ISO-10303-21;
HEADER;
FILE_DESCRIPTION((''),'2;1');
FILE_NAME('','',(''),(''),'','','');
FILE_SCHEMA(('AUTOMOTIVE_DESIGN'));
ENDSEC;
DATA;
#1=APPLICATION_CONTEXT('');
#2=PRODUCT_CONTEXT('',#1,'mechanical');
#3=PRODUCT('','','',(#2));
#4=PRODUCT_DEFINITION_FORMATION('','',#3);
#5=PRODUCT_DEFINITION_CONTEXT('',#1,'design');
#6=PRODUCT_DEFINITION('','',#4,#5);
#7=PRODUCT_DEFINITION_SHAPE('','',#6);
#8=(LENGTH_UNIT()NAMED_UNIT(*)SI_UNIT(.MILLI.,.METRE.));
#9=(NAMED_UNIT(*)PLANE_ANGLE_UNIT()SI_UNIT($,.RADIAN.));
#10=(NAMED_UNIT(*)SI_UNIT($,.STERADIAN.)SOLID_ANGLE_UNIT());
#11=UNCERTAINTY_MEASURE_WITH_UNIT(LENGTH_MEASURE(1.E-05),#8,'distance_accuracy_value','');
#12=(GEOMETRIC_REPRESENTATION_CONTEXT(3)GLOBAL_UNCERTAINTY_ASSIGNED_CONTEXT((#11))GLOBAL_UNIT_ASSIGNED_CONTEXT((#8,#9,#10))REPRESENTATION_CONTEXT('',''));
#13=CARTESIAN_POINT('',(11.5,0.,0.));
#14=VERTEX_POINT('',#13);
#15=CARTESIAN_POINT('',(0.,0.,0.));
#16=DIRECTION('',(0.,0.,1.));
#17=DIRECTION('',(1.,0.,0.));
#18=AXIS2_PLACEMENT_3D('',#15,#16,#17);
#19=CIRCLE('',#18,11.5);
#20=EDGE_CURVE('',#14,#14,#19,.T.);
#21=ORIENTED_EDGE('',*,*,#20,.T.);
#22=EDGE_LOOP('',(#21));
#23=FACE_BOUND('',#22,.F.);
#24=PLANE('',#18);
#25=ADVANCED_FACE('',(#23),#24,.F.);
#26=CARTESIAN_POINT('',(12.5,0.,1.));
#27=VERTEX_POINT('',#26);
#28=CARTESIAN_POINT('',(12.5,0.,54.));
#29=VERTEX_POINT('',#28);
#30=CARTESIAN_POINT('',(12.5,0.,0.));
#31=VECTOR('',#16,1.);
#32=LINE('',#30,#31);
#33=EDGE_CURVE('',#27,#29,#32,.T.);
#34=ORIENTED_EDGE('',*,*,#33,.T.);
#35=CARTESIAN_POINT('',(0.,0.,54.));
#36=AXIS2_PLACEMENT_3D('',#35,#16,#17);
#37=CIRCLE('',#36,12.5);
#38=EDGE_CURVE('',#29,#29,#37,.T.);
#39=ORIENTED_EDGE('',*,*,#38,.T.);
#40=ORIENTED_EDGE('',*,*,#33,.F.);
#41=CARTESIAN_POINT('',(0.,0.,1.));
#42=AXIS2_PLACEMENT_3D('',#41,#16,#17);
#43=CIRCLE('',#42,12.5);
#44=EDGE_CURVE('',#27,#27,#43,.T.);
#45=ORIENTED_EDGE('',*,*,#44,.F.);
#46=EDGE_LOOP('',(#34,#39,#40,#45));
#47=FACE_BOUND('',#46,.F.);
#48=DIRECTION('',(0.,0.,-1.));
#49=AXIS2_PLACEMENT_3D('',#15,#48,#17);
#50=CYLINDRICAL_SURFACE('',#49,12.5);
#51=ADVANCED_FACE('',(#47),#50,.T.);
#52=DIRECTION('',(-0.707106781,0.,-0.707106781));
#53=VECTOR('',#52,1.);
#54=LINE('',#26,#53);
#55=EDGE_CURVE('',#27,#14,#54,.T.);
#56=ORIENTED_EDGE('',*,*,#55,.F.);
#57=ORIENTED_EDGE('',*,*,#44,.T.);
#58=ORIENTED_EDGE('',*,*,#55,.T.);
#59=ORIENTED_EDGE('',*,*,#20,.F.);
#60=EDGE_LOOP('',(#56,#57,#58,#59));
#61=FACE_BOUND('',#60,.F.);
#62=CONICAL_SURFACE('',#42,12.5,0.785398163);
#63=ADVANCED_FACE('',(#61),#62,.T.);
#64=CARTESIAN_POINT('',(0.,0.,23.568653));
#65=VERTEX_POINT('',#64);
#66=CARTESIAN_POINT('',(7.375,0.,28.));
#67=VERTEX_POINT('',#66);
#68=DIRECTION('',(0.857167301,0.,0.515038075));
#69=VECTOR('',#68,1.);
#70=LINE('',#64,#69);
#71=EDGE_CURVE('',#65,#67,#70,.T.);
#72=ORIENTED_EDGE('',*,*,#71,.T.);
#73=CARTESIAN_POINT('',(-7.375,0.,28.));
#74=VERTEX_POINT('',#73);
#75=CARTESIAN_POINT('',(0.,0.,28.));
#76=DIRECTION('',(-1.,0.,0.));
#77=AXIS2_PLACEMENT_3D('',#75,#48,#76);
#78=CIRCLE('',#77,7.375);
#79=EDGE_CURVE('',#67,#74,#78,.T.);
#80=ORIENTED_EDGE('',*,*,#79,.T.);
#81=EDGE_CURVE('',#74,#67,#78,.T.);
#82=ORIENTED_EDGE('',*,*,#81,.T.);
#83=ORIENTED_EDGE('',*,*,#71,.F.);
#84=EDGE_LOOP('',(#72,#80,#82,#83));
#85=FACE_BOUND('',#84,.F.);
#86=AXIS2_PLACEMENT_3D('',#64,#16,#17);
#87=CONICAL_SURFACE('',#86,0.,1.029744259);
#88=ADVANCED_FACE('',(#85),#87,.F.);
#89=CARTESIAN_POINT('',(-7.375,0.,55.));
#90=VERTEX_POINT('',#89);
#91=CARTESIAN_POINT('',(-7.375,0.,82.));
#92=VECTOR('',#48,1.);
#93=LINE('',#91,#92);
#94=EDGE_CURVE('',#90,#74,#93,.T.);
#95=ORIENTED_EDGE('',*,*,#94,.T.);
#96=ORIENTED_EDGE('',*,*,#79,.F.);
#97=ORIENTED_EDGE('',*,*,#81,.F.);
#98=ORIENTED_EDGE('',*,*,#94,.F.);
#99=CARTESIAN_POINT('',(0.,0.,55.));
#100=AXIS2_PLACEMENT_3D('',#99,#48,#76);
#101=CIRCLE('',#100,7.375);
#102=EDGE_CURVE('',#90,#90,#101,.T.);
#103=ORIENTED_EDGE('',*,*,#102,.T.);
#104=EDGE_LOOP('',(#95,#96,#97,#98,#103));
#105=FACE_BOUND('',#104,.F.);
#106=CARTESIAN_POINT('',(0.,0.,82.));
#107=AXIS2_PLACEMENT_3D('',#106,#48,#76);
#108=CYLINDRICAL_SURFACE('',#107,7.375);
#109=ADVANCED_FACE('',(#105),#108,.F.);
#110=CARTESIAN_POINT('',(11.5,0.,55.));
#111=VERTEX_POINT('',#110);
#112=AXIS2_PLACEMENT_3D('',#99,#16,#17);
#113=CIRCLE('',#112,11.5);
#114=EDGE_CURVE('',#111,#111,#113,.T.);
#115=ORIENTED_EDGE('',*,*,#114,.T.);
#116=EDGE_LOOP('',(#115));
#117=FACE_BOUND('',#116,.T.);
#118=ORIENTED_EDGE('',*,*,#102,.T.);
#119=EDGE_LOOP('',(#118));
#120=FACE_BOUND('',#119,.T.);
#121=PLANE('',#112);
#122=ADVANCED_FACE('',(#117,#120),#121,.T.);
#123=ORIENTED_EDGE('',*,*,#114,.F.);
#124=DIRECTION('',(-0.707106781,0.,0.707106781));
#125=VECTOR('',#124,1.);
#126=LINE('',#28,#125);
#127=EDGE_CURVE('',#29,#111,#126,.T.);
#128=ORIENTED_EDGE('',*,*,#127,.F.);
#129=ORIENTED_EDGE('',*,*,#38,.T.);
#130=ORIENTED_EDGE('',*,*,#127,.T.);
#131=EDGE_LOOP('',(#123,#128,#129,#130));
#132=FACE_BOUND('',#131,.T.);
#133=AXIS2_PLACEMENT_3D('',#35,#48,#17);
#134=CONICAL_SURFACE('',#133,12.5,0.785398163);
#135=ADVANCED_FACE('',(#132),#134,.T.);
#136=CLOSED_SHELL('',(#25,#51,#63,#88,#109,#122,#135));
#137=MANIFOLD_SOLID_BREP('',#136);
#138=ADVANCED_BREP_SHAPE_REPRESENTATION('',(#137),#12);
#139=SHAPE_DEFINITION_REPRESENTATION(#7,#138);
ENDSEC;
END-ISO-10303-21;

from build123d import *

# Parameters (mm, degrees)
F0_R     = 12.5
F1_DEPTH = 55
F2_SIZE  = 1
F4_D     = 14.75
F4_DEPTH = 27
F4_TIP   = 4.4313470653


with BuildPart() as f1:
    # F0 (on Top) → F1 (new body)
    with BuildSketch(Plane.XY):
        Circle(F0_R)
    extrude(amount=F1_DEPTH)

    # F2
    f2_edges = [f1.edges().sort_by_distance(p)[0] for p in [
        (-12.5, 0, 0),
        (-12.5, 0, 55),
    ]]
    chamfer(f2_edges, length=F2_SIZE)

    # F4
    with Locations(Plane.XY.offset(55)):
        with Locations((0, 0)):
            Hole(F4_D / 2, depth=F4_DEPTH)
            with Locations((0, 0, -(F4_DEPTH + F4_TIP / 2))):  # 118° drill point
                Cone(0, F4_D / 2, F4_TIP, mode=Mode.SUBTRACT)


solid = f1.part
